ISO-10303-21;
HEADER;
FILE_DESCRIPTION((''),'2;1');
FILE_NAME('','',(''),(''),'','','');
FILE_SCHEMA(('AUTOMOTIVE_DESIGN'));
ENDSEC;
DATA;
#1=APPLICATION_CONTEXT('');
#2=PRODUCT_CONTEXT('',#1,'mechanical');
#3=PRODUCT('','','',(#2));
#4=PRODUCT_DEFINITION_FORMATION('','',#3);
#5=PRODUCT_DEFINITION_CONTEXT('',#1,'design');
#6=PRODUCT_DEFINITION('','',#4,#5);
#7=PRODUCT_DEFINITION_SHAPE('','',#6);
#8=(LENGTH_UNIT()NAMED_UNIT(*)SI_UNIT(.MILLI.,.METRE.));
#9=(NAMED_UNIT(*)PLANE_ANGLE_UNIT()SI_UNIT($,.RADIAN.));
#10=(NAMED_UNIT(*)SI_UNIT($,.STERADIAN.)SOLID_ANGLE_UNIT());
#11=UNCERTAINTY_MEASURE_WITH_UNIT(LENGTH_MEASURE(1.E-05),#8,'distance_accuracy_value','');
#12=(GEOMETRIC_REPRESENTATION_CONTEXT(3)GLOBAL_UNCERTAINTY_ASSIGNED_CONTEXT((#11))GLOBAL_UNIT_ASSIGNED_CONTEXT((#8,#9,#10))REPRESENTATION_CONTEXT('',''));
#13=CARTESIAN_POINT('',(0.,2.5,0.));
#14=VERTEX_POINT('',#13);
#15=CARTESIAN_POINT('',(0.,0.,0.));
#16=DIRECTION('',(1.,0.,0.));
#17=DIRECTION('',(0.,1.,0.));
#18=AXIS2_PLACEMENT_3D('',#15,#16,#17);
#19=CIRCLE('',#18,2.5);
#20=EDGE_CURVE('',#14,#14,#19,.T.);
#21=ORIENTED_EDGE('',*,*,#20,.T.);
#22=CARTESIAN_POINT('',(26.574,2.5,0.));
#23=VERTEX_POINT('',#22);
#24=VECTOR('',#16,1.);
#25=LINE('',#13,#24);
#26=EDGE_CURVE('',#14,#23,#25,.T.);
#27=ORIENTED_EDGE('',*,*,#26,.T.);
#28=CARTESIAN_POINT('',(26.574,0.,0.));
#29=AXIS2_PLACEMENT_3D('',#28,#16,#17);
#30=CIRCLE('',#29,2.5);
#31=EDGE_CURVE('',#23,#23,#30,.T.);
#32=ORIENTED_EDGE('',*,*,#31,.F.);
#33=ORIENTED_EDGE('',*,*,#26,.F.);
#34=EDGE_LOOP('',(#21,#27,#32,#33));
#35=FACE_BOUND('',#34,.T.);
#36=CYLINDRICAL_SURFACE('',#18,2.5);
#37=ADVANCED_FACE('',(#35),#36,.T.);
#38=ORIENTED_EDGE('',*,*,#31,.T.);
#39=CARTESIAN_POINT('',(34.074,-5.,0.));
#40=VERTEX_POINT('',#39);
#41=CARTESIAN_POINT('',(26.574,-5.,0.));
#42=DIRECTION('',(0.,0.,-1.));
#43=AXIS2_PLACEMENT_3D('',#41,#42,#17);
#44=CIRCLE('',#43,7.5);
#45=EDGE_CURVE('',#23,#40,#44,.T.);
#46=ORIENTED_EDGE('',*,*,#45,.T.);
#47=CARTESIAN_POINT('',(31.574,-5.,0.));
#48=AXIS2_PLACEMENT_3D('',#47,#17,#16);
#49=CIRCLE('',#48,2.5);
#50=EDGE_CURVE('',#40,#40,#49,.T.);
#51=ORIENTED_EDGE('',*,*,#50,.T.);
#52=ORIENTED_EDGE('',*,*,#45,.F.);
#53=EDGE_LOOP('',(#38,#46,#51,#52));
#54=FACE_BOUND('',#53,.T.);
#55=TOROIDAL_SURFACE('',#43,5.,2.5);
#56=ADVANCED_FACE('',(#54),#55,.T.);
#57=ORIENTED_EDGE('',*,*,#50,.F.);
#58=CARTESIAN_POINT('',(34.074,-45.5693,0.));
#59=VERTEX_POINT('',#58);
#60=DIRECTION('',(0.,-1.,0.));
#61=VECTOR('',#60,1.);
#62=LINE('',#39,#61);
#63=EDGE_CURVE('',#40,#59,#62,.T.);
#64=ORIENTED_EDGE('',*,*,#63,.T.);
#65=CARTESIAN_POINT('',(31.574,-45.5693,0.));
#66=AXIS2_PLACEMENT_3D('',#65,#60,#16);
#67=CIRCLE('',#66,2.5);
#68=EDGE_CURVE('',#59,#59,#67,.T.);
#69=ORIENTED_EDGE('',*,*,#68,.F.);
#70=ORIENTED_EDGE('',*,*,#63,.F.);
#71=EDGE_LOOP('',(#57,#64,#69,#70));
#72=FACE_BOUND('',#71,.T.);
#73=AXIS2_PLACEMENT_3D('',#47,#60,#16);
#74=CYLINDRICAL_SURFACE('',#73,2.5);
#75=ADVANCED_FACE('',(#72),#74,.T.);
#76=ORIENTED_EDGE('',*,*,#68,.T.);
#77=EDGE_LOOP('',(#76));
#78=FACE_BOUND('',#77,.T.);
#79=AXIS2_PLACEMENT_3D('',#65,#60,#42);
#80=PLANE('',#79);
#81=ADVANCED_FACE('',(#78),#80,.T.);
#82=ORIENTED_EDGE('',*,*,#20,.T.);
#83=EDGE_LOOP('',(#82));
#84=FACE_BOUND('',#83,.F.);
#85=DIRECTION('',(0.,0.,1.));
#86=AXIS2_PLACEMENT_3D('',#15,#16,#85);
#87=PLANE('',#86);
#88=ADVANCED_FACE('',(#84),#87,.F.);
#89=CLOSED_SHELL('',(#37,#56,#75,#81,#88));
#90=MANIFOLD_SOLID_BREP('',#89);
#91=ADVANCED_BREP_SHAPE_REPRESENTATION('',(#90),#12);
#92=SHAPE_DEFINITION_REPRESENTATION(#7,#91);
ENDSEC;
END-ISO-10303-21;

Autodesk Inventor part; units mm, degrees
ref_plane "XZ Plane" through (0, 0, 0) normal (0, 1, 0) x (-1, 0, 0)
sketch "Эскиз1" plane through (0, 0, 0) normal (1, 0, 0) x (0, 1, 0)
  circle A0 centre (0, 0) radius 2.5
  dimension "d0" = 5
sketch3d "3D эскиз2"
  line L0 (0, 0, 0) -> (26.574, 0, 0)
  arc A0 (26.574, 0, 0) -> (31.574, -5, 0) centre (26.574, -5, 0) ccw
  line L1 (31.574, -5, 0) -> (31.574, -45.5693, 0)
  dimension "d13" = 5
sweep "Сдвиг2" add profiles "Эскиз1" path "3D эскиз2"
sketch3d "3D эскиз1"
properties part number "трубка ветка"
